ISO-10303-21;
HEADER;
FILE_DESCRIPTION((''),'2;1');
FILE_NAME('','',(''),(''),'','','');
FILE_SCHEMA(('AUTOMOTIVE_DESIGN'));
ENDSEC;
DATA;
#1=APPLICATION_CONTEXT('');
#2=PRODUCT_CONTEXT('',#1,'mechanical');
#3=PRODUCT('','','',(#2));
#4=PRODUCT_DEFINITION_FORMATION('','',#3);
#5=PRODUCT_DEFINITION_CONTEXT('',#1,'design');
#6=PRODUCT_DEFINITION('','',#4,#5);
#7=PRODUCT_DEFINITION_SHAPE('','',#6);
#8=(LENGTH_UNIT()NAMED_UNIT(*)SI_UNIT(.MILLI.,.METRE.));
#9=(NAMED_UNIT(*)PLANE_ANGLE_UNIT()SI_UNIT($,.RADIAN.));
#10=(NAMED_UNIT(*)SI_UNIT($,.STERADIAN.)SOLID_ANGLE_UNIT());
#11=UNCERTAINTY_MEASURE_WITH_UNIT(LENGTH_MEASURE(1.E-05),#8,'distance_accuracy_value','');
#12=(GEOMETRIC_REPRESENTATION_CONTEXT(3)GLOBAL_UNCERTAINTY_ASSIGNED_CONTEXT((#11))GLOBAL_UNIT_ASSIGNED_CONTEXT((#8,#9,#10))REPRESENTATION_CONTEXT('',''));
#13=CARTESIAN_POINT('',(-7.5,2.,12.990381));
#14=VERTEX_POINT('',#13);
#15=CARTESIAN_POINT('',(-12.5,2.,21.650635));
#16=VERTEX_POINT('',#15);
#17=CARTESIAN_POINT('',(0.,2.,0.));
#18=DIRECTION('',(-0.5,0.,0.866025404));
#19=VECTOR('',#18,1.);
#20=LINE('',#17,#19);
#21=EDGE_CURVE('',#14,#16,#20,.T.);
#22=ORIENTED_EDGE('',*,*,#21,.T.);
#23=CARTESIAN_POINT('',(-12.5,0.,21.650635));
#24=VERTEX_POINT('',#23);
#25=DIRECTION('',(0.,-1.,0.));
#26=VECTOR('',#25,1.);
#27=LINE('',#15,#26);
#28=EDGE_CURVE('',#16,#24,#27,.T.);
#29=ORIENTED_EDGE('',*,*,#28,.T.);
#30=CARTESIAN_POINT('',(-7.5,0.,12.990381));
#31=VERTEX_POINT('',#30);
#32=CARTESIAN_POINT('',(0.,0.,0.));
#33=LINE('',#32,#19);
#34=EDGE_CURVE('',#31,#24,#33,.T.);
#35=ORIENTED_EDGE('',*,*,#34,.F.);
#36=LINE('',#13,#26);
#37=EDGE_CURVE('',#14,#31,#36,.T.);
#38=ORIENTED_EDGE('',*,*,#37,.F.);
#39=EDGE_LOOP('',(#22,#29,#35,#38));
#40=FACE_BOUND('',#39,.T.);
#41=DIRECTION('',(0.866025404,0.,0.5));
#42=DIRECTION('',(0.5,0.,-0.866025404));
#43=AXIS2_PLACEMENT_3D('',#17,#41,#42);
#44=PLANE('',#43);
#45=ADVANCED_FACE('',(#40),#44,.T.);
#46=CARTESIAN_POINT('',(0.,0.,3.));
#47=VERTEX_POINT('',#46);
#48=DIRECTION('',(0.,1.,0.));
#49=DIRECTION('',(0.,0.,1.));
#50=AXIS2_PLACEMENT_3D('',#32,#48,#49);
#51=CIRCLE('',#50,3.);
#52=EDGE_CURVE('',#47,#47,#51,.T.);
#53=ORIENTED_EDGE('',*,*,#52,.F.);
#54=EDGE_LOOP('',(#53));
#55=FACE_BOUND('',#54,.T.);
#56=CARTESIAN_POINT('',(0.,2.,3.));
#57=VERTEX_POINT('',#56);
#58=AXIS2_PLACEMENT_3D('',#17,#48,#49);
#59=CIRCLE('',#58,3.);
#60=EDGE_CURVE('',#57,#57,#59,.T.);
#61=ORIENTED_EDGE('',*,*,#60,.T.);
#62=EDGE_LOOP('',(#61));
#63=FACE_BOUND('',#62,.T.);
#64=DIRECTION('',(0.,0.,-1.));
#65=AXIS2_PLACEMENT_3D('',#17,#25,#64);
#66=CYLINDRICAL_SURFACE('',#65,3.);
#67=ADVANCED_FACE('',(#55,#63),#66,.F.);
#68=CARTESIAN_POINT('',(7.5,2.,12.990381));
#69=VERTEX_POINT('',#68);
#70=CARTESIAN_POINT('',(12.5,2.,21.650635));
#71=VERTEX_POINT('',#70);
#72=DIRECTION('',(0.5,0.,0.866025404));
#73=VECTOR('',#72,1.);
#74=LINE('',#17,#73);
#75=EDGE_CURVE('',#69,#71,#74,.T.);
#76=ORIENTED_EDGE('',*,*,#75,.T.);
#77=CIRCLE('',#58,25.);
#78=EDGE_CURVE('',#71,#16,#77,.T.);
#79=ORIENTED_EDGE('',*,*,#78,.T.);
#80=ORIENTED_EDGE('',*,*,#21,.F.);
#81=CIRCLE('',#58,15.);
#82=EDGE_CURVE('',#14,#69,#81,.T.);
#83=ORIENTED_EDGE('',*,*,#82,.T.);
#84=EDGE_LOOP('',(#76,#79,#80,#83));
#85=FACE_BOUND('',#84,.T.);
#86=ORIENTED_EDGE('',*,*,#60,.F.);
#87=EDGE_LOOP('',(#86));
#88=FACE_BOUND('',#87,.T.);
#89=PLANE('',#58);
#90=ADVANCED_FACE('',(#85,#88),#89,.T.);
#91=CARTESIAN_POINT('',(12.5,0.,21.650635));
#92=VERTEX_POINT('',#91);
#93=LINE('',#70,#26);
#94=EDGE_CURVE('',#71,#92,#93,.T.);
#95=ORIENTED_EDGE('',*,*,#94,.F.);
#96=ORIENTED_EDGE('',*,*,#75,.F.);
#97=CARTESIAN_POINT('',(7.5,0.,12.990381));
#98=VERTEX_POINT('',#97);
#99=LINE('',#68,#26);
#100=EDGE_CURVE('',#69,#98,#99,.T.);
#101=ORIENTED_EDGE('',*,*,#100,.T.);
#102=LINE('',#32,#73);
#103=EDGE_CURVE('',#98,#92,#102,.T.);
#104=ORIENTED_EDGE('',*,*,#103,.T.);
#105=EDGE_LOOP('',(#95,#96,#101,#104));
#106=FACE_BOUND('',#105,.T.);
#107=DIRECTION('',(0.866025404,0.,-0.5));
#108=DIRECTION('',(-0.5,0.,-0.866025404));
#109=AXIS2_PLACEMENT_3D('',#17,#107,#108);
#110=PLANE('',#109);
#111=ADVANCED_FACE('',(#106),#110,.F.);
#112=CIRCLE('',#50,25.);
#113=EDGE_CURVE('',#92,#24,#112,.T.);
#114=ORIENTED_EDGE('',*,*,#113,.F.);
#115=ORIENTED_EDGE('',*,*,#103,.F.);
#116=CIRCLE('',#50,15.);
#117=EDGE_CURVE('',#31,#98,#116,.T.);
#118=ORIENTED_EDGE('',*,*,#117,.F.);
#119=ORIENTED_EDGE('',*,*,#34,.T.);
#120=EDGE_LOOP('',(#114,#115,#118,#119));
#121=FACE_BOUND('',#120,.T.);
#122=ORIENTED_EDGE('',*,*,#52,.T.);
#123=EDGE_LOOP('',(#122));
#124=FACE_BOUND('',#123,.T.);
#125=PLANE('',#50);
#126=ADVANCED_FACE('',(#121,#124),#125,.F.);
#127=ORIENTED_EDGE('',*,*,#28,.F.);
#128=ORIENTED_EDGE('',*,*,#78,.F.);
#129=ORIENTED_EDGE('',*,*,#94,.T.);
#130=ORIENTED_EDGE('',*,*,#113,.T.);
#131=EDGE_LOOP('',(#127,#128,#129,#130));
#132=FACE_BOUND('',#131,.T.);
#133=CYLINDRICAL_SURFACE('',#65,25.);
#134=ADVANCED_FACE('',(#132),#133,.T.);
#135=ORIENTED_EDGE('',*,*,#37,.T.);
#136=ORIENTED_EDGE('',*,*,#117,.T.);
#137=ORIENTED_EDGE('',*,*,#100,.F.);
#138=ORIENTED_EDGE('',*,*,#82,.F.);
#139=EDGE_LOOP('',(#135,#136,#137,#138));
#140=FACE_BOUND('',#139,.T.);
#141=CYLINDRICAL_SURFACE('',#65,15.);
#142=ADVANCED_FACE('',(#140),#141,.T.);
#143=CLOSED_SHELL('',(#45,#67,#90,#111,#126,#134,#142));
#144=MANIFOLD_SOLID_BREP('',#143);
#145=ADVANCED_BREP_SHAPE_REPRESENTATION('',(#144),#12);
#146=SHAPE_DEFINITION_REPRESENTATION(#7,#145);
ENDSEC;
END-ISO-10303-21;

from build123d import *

# Parameters (mm, degrees)
SKETCH_1_R      = 3
EXTRUDE_1_DEPTH = 2


with BuildPart() as part:
    # Эскиз1 → Бобышка-Вытянуть1 (new body)
    with BuildSketch(Plane(origin=(0, 0, 0), x_dir=(1, 0, 0), z_dir=(0, 1, 0))):
        with BuildLine():
            ThreePointArc((-7.5, -12.990381057), (0, -15), (7.5, -12.990381057))
            Line((7.5, -12.990381057), (12.5, -21.650635095))
            ThreePointArc((12.5, -21.650635095), (0, 25), (-12.5, -21.650635095))
            Line((-12.5, -21.650635095), (-7.5, -12.990381057))
        make_face()
        Circle(SKETCH_1_R, mode=Mode.SUBTRACT)
    extrude(amount=EXTRUDE_1_DEPTH)


solid = part.part
